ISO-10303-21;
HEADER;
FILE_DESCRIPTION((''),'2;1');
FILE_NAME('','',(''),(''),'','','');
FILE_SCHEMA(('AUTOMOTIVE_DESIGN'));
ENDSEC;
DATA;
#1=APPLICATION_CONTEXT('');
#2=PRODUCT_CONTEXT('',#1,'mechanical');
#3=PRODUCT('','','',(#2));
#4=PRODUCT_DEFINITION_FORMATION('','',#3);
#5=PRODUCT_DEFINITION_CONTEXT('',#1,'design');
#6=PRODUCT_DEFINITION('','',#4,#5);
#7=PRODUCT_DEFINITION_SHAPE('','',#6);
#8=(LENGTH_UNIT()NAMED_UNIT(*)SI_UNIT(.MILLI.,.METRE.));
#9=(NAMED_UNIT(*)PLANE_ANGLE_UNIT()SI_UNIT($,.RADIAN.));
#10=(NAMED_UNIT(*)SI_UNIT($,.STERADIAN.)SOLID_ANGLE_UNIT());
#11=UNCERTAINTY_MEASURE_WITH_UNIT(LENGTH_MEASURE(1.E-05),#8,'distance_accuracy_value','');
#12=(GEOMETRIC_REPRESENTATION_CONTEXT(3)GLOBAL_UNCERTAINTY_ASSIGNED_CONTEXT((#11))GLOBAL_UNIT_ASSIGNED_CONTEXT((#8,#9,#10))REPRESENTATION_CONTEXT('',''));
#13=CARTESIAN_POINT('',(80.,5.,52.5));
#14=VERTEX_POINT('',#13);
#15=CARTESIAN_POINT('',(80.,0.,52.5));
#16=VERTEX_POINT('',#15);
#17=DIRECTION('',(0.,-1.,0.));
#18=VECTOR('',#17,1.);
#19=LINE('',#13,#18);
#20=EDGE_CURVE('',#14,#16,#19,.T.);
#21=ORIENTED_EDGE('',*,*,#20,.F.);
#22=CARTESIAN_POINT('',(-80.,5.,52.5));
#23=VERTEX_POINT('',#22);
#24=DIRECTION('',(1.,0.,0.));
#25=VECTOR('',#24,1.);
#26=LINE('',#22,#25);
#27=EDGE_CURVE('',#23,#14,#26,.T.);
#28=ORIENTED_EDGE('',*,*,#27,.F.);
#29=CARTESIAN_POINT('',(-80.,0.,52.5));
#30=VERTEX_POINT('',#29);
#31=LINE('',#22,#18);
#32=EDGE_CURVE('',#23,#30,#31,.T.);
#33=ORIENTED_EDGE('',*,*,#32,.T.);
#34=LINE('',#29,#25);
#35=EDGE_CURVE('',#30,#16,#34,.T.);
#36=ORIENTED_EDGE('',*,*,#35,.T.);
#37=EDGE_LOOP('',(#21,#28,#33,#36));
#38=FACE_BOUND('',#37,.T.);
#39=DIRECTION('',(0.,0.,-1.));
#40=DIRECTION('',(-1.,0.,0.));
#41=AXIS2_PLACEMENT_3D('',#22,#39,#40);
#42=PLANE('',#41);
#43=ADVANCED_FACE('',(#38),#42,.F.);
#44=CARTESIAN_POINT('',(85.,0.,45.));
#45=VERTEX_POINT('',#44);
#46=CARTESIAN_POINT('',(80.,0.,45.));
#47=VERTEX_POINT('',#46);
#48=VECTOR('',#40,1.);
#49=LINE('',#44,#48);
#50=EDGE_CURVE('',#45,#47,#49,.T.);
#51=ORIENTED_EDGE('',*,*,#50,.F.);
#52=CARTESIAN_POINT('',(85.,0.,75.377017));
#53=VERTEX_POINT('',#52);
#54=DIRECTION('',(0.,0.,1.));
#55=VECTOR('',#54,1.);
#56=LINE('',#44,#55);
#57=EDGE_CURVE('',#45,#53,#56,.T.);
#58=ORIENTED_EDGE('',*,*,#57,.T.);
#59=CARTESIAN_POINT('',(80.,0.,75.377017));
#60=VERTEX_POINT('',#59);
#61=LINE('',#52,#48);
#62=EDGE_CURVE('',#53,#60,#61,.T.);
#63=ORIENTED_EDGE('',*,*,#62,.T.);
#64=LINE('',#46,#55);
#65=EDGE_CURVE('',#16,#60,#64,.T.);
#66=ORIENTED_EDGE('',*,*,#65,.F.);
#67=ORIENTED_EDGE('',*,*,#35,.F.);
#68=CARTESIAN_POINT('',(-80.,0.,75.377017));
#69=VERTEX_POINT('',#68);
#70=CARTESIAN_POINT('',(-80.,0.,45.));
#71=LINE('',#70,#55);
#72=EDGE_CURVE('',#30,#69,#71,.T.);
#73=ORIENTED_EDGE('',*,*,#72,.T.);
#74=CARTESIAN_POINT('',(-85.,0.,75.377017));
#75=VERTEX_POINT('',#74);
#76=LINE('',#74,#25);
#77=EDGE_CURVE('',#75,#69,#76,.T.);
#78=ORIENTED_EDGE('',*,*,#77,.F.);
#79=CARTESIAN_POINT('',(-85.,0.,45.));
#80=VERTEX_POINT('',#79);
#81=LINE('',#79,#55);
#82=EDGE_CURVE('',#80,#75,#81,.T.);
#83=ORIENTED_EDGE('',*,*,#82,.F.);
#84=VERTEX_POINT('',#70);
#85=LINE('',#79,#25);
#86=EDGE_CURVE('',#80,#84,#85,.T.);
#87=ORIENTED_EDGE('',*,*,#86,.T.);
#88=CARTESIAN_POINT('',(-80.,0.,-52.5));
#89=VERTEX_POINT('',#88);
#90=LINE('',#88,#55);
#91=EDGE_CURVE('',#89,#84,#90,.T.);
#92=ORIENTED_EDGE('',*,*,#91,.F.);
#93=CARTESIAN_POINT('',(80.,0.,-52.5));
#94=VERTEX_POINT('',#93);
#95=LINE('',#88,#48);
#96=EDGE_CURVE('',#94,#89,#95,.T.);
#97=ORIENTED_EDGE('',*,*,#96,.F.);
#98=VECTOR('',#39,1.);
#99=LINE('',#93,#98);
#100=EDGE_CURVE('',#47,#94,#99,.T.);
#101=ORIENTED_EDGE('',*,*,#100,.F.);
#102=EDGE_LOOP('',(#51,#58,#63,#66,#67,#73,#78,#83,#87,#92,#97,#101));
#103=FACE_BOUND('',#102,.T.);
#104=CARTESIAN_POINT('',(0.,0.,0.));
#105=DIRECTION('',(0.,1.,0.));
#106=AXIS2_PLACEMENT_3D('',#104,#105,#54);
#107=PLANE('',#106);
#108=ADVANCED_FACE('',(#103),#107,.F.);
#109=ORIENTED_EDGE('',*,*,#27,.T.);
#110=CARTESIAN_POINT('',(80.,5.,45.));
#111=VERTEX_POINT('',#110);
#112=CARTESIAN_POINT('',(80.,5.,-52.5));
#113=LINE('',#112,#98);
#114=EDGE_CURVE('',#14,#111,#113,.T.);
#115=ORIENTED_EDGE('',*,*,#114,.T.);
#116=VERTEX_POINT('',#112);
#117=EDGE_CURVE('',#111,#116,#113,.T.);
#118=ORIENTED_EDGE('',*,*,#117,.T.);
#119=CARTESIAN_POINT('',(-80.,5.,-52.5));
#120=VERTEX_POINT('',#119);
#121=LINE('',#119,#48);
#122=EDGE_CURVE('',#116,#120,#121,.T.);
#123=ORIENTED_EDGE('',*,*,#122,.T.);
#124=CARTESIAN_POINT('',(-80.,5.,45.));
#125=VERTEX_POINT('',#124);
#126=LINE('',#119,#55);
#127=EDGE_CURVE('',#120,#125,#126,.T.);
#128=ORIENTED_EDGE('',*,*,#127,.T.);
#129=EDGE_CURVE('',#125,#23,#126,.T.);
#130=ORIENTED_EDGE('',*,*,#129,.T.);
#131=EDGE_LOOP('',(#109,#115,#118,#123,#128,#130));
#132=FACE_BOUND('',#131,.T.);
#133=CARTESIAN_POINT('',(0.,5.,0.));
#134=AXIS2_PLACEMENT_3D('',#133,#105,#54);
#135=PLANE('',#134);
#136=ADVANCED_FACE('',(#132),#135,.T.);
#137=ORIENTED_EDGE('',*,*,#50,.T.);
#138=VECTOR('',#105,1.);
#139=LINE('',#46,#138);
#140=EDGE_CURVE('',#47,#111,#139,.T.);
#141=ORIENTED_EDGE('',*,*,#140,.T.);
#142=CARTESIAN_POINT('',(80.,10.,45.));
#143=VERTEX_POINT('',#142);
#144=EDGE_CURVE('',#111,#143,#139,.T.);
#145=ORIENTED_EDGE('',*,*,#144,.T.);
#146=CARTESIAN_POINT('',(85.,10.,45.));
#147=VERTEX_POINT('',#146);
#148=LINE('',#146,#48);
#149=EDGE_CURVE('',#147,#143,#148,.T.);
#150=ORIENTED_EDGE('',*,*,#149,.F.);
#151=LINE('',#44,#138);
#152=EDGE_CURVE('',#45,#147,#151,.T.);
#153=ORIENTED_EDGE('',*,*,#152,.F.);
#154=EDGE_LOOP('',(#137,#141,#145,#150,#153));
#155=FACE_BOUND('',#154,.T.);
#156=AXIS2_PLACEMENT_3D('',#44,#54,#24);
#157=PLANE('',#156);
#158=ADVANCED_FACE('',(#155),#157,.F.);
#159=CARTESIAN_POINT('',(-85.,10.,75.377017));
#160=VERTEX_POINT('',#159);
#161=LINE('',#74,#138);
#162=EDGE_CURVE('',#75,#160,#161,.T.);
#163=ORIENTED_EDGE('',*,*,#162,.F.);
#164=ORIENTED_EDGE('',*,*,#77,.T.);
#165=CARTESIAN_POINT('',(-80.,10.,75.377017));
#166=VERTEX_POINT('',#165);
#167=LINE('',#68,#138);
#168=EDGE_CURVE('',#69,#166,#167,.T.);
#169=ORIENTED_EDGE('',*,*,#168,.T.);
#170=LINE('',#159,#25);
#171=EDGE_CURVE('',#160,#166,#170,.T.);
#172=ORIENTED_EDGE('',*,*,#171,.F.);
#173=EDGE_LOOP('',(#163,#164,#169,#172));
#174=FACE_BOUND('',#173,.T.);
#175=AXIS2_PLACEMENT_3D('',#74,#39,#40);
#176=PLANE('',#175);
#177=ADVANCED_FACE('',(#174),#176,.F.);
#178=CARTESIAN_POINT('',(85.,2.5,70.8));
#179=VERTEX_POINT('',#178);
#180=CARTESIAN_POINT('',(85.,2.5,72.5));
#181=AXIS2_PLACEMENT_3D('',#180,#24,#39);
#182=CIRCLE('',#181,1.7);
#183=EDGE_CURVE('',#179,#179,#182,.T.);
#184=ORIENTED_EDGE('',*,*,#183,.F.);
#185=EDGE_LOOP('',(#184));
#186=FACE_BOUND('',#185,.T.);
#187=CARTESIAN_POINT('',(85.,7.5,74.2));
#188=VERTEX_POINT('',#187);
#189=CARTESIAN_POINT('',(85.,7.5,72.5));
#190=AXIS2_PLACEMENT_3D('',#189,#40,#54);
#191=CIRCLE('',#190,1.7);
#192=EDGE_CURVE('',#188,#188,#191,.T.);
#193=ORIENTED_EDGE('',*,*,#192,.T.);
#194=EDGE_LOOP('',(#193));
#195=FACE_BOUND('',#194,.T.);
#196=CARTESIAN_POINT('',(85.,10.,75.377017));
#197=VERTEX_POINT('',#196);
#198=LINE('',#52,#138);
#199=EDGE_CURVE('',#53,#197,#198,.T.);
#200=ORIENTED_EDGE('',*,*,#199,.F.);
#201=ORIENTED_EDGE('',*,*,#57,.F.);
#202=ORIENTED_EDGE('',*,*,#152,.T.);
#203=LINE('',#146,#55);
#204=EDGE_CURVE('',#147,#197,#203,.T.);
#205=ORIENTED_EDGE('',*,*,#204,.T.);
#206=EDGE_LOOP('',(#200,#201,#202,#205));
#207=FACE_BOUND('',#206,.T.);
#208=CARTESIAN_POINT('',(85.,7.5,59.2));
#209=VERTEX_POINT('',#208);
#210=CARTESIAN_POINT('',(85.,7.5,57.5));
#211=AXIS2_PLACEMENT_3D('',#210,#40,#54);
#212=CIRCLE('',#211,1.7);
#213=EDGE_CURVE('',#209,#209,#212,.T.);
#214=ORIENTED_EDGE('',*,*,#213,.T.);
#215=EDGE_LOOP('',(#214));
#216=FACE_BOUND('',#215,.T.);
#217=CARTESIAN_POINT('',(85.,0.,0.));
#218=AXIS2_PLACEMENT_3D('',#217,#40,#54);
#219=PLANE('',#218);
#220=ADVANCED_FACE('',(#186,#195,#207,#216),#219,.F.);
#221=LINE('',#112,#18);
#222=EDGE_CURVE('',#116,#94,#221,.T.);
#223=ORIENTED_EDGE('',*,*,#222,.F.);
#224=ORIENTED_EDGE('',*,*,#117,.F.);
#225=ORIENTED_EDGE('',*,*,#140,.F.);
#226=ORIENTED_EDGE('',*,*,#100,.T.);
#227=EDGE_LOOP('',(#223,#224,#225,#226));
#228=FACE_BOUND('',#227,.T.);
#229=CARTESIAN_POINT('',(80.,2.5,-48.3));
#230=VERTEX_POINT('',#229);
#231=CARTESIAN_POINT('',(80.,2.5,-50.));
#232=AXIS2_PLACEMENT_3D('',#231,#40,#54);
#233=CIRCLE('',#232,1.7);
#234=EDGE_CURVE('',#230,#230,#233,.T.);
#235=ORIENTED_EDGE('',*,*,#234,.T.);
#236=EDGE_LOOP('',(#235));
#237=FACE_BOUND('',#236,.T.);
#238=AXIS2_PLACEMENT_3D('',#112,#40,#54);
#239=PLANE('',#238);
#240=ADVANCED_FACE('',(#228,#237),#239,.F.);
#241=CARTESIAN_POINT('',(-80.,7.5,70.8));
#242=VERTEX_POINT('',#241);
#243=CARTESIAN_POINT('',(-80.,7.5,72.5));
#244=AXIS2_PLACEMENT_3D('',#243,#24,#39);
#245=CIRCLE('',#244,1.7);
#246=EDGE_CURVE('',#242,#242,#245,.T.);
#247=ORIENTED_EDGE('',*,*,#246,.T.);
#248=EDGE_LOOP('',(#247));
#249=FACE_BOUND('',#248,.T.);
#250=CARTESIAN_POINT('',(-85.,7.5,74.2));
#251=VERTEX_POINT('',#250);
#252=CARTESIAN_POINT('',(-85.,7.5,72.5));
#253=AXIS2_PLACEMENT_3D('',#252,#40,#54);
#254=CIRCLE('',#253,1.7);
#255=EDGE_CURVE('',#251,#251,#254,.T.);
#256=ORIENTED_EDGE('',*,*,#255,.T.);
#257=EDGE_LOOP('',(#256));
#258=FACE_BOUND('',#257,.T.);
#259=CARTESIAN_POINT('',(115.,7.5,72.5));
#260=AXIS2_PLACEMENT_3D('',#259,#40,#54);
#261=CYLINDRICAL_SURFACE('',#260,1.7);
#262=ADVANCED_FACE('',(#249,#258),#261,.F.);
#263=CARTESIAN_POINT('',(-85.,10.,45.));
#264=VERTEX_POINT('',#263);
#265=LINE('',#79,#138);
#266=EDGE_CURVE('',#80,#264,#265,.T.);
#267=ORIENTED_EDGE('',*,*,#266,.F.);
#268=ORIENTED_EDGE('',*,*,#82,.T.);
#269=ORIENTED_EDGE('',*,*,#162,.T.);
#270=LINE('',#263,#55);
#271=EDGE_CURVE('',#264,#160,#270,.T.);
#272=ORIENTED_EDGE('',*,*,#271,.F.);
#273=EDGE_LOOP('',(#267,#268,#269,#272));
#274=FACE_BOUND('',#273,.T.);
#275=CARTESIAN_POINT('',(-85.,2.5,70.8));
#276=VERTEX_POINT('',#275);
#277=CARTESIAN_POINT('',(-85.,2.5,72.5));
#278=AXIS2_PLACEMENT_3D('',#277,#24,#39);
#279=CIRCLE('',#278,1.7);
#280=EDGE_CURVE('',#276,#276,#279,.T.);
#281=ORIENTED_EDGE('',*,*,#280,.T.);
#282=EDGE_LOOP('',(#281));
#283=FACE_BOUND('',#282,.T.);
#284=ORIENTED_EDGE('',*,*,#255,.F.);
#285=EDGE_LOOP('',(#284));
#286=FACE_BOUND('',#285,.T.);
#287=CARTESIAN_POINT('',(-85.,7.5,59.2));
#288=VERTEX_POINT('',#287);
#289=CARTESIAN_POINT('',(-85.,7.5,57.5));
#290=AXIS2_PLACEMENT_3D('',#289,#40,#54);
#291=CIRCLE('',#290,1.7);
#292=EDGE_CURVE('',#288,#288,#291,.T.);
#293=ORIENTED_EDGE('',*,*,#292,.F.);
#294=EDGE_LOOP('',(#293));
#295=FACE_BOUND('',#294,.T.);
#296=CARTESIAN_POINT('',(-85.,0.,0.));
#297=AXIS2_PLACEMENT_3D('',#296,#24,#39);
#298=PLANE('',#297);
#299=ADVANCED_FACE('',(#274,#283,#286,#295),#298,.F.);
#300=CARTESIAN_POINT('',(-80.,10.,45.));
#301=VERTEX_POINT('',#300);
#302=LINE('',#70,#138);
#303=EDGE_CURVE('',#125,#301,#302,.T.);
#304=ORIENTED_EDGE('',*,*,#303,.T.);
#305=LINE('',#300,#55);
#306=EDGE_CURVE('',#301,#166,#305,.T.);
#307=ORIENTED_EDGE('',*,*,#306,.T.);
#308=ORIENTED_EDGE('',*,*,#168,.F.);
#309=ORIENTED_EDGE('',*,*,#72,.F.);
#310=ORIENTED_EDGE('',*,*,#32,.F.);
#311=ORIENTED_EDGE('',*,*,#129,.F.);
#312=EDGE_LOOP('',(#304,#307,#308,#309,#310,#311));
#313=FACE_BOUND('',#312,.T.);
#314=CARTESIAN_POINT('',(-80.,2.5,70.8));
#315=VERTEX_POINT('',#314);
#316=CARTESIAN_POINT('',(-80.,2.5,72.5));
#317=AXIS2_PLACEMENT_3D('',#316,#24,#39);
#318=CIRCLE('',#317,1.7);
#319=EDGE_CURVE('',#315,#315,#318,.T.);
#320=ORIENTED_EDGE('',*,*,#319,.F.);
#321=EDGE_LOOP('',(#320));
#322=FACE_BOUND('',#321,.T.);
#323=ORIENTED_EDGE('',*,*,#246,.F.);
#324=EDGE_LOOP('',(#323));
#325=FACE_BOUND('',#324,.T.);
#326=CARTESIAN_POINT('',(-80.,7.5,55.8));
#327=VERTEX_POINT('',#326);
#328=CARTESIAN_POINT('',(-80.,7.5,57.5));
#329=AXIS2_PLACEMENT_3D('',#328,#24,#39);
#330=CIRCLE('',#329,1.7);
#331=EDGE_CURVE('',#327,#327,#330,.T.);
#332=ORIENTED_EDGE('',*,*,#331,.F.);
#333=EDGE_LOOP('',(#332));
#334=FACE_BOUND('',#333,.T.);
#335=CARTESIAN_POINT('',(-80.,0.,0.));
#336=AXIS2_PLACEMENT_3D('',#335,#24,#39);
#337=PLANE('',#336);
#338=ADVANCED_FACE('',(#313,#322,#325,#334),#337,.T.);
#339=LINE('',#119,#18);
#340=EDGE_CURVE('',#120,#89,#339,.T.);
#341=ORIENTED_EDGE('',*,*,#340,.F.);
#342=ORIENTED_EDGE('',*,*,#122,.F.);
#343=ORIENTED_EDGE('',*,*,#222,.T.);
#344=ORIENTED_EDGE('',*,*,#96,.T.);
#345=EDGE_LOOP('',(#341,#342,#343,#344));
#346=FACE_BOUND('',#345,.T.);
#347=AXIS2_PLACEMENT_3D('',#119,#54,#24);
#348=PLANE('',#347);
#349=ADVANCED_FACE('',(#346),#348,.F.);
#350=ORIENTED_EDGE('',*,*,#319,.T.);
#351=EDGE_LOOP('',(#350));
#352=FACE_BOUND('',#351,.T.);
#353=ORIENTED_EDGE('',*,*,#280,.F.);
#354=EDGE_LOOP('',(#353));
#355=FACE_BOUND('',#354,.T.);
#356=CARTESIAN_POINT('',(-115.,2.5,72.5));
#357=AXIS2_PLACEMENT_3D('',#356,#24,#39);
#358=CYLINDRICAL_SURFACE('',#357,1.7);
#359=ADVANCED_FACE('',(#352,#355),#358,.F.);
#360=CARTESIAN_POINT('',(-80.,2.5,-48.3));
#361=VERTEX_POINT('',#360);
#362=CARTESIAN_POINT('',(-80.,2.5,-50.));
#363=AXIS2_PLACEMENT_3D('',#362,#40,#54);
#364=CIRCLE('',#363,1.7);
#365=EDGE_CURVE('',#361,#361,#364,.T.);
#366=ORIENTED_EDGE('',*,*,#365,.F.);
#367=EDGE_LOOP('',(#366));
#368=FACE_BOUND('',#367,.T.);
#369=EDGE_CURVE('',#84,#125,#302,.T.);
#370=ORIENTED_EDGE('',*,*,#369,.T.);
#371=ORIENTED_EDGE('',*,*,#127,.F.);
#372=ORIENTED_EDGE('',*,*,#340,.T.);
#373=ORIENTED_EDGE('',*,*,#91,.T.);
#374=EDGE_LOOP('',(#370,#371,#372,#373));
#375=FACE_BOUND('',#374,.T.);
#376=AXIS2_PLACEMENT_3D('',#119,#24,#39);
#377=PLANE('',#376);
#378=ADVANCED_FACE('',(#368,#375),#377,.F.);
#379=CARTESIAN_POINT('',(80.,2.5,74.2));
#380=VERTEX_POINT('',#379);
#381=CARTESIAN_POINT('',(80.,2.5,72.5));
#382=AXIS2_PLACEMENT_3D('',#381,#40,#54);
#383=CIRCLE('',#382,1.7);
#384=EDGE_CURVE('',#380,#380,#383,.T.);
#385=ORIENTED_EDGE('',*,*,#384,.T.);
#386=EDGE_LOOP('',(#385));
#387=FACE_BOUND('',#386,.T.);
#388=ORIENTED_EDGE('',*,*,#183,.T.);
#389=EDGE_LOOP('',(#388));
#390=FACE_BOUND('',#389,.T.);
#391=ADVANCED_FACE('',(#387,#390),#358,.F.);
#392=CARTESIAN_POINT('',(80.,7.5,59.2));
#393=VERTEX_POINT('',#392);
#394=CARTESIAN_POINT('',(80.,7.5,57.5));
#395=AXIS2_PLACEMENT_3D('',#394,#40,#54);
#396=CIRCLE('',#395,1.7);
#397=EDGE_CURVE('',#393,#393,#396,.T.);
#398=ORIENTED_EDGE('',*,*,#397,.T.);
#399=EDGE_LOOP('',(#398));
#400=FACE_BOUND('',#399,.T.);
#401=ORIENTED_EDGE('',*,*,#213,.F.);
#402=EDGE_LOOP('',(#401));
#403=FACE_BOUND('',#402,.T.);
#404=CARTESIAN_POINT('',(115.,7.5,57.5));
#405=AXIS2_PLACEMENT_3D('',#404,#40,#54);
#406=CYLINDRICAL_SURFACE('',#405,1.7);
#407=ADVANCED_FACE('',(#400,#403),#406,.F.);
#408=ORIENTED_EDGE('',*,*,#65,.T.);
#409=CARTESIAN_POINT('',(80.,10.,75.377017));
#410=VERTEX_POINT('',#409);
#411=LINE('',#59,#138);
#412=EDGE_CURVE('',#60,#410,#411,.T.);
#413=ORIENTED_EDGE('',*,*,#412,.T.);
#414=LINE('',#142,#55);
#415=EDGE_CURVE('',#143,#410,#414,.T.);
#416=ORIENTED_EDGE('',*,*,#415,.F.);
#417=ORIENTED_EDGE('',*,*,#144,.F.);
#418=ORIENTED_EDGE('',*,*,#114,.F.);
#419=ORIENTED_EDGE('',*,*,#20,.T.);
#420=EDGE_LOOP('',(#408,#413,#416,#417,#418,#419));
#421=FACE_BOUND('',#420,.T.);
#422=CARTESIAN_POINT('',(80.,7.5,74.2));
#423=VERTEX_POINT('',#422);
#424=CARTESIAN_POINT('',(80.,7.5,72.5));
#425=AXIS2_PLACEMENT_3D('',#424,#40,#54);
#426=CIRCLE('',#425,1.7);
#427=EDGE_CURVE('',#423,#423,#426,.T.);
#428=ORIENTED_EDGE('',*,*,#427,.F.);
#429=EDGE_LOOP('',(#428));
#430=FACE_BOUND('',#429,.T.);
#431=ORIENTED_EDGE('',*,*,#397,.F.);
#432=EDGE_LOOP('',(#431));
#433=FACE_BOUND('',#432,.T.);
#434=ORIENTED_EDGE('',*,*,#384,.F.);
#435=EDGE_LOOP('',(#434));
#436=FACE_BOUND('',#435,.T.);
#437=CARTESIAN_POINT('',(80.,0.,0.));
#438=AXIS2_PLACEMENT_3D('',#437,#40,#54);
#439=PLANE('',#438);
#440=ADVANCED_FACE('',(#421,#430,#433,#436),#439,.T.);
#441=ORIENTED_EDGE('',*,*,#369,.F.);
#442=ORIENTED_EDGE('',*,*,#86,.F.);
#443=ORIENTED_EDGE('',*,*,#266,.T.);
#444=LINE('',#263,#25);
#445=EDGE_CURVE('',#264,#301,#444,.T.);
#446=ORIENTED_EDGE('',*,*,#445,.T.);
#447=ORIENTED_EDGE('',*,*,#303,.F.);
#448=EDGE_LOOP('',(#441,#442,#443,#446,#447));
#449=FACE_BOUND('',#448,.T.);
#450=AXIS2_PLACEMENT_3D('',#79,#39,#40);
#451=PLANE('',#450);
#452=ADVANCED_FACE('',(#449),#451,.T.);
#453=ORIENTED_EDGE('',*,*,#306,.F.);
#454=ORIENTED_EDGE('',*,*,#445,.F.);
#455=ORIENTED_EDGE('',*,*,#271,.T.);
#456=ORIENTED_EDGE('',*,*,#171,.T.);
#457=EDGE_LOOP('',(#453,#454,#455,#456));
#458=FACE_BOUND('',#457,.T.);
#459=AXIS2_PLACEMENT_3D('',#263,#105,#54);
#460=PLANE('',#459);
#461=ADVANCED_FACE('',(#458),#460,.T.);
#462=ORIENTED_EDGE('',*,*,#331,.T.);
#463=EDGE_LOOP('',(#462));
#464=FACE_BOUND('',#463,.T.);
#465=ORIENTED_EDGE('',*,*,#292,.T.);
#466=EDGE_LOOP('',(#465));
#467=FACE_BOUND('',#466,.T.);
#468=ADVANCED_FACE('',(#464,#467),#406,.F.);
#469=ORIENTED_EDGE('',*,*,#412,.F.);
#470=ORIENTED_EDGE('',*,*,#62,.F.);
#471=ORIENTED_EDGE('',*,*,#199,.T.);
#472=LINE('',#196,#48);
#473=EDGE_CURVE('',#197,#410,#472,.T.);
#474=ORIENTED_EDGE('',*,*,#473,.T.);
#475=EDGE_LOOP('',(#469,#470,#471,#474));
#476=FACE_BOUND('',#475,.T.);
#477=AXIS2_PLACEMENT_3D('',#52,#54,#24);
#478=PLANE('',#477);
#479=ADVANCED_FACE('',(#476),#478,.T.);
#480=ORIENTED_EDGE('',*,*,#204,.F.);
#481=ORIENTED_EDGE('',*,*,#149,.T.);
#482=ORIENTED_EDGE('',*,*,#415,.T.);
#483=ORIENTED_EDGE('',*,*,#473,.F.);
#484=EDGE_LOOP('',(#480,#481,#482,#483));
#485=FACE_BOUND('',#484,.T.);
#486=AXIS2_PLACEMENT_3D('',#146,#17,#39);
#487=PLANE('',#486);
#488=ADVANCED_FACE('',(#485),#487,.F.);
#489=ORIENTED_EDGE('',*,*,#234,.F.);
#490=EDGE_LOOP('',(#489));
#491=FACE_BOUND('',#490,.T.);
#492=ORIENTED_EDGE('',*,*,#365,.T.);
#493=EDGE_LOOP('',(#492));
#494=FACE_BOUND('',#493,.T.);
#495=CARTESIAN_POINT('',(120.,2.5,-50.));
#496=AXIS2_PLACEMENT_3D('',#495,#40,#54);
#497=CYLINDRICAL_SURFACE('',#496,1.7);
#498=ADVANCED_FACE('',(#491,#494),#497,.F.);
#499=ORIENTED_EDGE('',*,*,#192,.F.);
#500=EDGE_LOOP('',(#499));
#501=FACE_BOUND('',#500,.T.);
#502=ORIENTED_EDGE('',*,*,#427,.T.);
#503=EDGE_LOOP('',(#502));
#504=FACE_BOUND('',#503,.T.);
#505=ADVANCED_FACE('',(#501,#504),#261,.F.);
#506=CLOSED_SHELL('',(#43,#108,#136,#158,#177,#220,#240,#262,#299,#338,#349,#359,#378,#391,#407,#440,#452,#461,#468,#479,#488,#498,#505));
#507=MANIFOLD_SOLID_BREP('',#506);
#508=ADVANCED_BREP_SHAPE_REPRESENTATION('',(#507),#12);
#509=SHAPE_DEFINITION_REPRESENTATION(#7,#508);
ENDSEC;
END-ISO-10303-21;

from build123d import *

# Parameters (mm, degrees)
SKETCH_1_W          = 160
SKETCH_1_H          = 105
EXTRUDE_1_DEPTH     = 5
SKETCH_3_W          = 30.377017425
SKETCH_3_H          = 10
EXTRUDE_3_DEPTH     = 5
SKETCH_4_W          = 30.377017425
SKETCH_4_H          = 10
EXTRUDE_4_DEPTH     = 5
SKETCH_5_R          = 1.7
CUT_EXTRUDE_1_DEPTH = 200
SKETCH_6_R          = 1.7
CUT_EXTRUDE_3_DEPTH = 200
SKETCH_7_R          = 1.7
CUT_EXTRUDE_4_DEPTH = 200


with BuildPart() as part:
    # 草图1 → 凸台-拉伸1 (new body)
    with BuildSketch(Plane(origin=(0, 0, 0), x_dir=(1, 0, 0), z_dir=(0, 1, 0))):
        Rectangle(SKETCH_1_W, SKETCH_1_H)
    extrude(amount=EXTRUDE_1_DEPTH)

    # 草图3 → 凸台-拉伸3 (add)
    with BuildSketch(Plane(origin=(80, 0, 0), x_dir=(0, 0, -1), z_dir=(1, 0, 0))):
        with Locations((-60.188508713, 5)):
            Rectangle(SKETCH_3_W, SKETCH_3_H)
    extrude(amount=EXTRUDE_3_DEPTH)

    # 草图4 → 凸台-拉伸4 (add)
    with BuildSketch(Plane.ZY.offset(80)):
        with Locations((60.188508713, 5)):
            Rectangle(SKETCH_4_W, SKETCH_4_H)
    extrude(amount=EXTRUDE_4_DEPTH)

    # 草图5 → 切除-拉伸1 (cut)
    with BuildSketch(Plane.ZY.offset(80)):
        with Locations((-50, 2.5)):
            Circle(SKETCH_5_R)
    extrude(amount=-CUT_EXTRUDE_1_DEPTH, mode=Mode.SUBTRACT)

    # 草图6 → 切除-拉伸3 (cut)
    with BuildSketch(Plane.ZY.offset(85)):
        with Locations((57.5, 7.5)):
            Circle(SKETCH_6_R)
        with Locations((72.5, 7.5)):
            Circle(SKETCH_6_R)
    extrude(amount=-CUT_EXTRUDE_3_DEPTH, mode=Mode.SUBTRACT)

    # 草图7 → 切除-拉伸4 (cut)
    with BuildSketch(Plane(origin=(85, 0, 0), x_dir=(0, 0, -1), z_dir=(1, 0, 0))):
        with Locations((-72.5, 2.5)):
            Circle(SKETCH_7_R)
    extrude(amount=-CUT_EXTRUDE_4_DEPTH, mode=Mode.SUBTRACT)


solid = part.part
